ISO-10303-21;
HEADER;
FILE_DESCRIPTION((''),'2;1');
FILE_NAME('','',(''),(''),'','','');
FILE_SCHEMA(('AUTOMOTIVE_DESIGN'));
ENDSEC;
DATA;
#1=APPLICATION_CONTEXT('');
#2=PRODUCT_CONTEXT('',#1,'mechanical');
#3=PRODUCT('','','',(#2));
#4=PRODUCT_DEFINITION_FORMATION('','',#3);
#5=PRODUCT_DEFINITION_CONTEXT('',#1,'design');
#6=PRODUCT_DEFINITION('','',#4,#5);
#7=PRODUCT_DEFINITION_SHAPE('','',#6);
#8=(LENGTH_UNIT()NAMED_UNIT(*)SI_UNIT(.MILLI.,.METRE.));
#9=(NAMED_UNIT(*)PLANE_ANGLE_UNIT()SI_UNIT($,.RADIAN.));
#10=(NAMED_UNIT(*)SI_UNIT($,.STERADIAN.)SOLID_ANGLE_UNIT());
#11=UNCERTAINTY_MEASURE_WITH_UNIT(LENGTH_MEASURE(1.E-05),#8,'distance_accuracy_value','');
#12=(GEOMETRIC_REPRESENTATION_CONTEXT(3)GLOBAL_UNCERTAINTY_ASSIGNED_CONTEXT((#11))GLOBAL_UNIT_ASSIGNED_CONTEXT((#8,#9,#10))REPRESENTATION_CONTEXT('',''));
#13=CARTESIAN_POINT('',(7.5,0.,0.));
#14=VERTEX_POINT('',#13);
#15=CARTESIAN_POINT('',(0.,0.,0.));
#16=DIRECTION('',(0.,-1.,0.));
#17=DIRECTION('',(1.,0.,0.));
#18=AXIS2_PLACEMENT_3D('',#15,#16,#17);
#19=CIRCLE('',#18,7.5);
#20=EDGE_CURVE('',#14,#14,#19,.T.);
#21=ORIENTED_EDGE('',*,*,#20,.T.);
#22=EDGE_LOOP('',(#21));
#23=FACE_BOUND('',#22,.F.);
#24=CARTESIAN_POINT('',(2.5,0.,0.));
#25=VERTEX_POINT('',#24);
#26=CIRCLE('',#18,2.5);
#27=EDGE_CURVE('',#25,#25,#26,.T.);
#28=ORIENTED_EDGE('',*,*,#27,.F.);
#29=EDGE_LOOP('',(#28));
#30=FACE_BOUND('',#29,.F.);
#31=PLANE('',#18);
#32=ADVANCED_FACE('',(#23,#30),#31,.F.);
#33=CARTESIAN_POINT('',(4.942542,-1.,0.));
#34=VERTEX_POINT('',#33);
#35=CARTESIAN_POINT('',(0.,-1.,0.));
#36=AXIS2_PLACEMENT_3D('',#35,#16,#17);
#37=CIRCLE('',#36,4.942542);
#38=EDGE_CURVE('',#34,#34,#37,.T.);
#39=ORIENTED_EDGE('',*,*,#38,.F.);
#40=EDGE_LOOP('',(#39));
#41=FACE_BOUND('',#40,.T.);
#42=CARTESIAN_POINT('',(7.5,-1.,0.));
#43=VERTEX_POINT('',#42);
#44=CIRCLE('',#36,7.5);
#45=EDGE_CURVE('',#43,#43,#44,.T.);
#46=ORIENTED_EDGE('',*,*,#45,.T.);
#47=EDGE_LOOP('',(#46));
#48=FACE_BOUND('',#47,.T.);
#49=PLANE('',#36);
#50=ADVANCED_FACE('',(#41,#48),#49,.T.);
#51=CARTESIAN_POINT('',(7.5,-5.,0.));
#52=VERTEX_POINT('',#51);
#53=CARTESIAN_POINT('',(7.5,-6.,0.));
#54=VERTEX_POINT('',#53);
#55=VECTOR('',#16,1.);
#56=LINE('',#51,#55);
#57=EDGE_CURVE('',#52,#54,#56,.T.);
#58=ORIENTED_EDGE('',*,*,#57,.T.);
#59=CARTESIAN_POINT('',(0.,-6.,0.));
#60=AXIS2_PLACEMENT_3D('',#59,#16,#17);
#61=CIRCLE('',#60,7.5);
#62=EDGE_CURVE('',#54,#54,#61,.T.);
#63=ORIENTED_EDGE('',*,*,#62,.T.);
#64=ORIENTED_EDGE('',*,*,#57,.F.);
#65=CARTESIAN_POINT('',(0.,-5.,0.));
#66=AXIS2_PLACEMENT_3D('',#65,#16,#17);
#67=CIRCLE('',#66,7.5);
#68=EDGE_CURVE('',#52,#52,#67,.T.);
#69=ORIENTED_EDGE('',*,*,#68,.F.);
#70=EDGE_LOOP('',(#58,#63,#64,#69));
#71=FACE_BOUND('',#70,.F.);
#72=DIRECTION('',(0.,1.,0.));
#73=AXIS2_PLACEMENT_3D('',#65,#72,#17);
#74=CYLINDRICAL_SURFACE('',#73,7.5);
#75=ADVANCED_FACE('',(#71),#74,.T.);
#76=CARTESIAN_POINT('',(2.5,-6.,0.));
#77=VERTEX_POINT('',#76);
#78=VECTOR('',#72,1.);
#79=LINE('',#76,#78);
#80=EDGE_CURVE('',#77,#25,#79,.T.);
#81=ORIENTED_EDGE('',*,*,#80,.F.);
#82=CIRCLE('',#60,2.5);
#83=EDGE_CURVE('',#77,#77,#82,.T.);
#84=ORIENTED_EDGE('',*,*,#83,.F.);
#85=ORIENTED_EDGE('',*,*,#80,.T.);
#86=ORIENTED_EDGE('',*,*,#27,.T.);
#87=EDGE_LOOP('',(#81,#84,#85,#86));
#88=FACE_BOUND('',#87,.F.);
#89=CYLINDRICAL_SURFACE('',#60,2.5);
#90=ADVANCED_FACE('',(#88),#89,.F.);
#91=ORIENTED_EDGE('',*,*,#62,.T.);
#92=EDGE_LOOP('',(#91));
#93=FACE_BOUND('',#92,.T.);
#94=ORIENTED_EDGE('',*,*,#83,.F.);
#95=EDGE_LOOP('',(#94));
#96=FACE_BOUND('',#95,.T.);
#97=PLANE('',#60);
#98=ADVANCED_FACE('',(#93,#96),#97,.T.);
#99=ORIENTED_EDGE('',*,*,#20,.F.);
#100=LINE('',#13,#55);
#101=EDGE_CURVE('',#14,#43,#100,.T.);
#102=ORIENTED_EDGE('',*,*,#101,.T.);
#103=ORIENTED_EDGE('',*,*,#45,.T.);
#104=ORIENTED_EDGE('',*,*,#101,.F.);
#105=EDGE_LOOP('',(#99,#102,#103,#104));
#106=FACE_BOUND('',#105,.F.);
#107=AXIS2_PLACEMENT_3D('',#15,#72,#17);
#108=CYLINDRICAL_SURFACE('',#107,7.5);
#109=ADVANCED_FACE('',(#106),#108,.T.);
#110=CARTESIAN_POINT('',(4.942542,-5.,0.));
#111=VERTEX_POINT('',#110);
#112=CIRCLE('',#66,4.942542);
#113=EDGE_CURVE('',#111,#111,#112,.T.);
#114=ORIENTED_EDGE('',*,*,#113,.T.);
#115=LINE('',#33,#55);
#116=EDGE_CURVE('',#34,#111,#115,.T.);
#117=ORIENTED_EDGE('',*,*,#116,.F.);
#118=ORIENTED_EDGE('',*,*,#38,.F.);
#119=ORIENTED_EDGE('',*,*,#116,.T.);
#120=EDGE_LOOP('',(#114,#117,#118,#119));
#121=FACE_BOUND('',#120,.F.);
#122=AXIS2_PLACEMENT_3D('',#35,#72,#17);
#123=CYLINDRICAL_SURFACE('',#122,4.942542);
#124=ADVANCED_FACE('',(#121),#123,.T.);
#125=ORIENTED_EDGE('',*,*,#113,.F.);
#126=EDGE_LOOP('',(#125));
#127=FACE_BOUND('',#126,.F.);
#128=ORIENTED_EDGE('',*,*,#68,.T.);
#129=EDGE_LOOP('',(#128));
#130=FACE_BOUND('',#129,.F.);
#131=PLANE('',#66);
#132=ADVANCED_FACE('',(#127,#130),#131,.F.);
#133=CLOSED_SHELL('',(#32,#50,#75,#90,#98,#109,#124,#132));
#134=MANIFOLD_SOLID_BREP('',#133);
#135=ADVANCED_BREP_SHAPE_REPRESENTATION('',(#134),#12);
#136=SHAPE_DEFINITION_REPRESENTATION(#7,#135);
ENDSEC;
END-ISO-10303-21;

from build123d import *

# Parameters (mm, degrees)
F0_R     = 7.5
F1_DEPTH = 1
F2_R     = 4.942542
F3_DEPTH = 4
F4_R     = 7.5
F5_DEPTH = 1
F6_R     = 2.5
F7_DEPTH = 25


with BuildPart() as f1:
    # F0 (on Front) → F1 (new body)
    with BuildSketch(Plane.XZ):
        Circle(F0_R)
    extrude(amount=F1_DEPTH)

    # F2 (on face) → F3 (join)
    with BuildSketch(Plane.XZ.offset(1)):
        Circle(F2_R)
    extrude(amount=F3_DEPTH)

    # F4 (on face) → F5 (join)
    with BuildSketch(Plane.XZ.offset(5)):
        Circle(F4_R)
    extrude(amount=F5_DEPTH)

    # F6 (on face) → F7 (cut)
    with BuildSketch(Plane.XZ.offset(6)):
        Circle(F6_R)
    extrude(amount=-F7_DEPTH, mode=Mode.SUBTRACT)


solid = f1.part
